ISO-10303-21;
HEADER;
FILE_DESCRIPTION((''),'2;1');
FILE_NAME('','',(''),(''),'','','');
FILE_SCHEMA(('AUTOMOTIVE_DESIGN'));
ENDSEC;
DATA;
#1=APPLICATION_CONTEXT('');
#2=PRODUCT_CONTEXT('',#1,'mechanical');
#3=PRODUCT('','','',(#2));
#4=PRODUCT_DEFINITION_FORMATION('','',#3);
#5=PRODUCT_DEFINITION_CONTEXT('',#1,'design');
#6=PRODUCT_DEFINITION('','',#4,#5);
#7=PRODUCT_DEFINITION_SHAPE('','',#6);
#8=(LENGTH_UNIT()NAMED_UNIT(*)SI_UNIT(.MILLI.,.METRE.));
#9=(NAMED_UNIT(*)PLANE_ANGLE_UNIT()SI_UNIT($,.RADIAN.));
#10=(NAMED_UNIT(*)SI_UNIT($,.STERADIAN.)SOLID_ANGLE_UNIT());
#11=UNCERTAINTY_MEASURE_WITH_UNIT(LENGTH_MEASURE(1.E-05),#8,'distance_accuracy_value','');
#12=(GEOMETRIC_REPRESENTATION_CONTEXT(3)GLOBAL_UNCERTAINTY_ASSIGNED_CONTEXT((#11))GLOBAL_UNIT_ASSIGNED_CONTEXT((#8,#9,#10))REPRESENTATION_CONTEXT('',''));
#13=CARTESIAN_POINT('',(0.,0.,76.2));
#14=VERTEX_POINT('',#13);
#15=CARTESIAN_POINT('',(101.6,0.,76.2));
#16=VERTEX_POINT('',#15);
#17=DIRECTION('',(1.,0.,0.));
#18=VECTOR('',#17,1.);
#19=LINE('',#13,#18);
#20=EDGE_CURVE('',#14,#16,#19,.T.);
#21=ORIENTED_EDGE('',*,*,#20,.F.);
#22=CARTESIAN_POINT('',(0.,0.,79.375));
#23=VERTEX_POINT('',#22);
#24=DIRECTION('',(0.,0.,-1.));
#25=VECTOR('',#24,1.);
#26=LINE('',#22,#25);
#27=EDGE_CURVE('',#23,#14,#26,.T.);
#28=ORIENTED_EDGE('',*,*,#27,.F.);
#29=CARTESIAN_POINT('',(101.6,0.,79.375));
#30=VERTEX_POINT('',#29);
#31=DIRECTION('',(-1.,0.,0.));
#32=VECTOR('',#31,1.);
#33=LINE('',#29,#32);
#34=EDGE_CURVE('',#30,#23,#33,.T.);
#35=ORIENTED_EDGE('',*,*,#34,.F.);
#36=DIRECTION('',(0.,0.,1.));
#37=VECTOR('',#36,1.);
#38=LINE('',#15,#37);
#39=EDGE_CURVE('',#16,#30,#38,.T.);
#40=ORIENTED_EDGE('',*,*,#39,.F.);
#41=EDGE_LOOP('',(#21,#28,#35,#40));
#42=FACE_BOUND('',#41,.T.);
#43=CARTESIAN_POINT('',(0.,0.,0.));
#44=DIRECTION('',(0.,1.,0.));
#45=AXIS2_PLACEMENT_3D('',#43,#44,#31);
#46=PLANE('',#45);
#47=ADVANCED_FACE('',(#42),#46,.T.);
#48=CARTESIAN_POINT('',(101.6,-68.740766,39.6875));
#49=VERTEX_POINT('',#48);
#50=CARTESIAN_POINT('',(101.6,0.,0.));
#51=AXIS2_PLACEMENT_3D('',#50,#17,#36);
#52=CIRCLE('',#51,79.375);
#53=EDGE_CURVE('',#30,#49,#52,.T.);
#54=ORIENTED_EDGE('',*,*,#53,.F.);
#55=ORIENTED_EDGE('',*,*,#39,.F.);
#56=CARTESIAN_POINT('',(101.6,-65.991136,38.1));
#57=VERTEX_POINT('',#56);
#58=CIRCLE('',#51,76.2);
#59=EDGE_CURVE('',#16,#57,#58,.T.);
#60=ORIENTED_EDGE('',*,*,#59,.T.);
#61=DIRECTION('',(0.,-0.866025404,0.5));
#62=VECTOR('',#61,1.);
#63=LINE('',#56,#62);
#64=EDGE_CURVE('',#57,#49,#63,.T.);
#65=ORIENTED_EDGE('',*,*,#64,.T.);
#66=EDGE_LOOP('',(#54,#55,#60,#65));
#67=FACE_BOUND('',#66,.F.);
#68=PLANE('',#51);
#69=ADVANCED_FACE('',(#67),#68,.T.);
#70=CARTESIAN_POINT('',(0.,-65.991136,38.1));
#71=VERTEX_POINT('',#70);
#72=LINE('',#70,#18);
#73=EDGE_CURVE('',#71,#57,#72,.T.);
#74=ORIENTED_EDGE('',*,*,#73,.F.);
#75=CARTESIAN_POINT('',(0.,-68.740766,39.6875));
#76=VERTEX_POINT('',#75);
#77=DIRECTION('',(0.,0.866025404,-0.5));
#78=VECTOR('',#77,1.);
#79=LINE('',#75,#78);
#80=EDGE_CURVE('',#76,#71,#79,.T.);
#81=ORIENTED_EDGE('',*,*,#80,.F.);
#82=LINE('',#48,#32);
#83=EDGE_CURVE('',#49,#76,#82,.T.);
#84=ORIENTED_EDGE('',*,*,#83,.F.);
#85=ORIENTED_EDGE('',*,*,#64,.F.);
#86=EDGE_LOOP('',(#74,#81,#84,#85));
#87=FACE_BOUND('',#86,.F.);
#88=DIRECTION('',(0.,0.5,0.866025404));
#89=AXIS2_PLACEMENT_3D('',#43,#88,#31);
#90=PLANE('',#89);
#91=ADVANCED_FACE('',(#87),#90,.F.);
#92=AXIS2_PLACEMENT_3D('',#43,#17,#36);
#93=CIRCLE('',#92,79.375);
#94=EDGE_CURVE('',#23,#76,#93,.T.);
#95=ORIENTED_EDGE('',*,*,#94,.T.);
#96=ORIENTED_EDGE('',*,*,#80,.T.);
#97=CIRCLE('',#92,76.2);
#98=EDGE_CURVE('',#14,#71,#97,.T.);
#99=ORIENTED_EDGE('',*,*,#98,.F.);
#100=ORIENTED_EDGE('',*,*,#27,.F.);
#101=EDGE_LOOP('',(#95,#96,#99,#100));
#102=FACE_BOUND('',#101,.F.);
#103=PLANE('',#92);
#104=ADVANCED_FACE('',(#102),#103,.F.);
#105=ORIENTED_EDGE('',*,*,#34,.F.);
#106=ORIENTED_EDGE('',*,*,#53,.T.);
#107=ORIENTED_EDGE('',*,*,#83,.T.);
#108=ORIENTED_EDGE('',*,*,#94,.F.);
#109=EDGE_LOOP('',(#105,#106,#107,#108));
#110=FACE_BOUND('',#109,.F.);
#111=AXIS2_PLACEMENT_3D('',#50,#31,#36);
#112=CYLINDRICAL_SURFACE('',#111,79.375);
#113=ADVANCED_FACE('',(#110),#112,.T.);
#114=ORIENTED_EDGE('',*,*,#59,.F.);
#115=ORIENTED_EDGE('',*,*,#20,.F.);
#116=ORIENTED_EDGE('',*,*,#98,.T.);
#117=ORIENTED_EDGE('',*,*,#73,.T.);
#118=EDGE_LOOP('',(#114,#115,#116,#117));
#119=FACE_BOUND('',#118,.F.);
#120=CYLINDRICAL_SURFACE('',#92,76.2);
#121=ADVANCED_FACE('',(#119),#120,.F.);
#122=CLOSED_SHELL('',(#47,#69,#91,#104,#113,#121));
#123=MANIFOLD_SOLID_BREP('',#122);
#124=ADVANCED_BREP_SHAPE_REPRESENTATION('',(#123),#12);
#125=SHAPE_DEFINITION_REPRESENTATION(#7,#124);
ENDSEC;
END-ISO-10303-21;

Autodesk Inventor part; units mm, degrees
ref_plane "YZ Plane" through (0, 0, 0) normal (1, 0, 0) x (0, 1, 0)
ref_plane "XZ Plane" through (0, 0, 0) normal (0, 1, 0) x (-1, 0, 0)
ref_plane "XY Plane" through (0, 0, 0) normal (0, 0, 1) x (1, 0, 0)
sketch "Sketch1" plane through (0, 0, 0) normal (0, 1, 0) x (-1, 0, 0)
  line L0 (0, 0) -> (-23.9325, 0)
  line L1 (0, 76.2) -> (-101.6, 76.2)
  line L2 (-101.6, 76.2) -> (-101.6, 79.375)
  line L3 (-101.6, 79.375) -> (0, 79.375)
  line L4 (0, 79.375) -> (0, 76.2)
  dimension "d0" = 101.6
  dimension "d1" = 3.175
  dimension "d2" = 76.2
revolve "Revolution1" add sketch "Sketch1" angle 60 about axis through (0, 0, 0) along (1, 0, 0)
properties part number "CollectorSweeperBacking"
